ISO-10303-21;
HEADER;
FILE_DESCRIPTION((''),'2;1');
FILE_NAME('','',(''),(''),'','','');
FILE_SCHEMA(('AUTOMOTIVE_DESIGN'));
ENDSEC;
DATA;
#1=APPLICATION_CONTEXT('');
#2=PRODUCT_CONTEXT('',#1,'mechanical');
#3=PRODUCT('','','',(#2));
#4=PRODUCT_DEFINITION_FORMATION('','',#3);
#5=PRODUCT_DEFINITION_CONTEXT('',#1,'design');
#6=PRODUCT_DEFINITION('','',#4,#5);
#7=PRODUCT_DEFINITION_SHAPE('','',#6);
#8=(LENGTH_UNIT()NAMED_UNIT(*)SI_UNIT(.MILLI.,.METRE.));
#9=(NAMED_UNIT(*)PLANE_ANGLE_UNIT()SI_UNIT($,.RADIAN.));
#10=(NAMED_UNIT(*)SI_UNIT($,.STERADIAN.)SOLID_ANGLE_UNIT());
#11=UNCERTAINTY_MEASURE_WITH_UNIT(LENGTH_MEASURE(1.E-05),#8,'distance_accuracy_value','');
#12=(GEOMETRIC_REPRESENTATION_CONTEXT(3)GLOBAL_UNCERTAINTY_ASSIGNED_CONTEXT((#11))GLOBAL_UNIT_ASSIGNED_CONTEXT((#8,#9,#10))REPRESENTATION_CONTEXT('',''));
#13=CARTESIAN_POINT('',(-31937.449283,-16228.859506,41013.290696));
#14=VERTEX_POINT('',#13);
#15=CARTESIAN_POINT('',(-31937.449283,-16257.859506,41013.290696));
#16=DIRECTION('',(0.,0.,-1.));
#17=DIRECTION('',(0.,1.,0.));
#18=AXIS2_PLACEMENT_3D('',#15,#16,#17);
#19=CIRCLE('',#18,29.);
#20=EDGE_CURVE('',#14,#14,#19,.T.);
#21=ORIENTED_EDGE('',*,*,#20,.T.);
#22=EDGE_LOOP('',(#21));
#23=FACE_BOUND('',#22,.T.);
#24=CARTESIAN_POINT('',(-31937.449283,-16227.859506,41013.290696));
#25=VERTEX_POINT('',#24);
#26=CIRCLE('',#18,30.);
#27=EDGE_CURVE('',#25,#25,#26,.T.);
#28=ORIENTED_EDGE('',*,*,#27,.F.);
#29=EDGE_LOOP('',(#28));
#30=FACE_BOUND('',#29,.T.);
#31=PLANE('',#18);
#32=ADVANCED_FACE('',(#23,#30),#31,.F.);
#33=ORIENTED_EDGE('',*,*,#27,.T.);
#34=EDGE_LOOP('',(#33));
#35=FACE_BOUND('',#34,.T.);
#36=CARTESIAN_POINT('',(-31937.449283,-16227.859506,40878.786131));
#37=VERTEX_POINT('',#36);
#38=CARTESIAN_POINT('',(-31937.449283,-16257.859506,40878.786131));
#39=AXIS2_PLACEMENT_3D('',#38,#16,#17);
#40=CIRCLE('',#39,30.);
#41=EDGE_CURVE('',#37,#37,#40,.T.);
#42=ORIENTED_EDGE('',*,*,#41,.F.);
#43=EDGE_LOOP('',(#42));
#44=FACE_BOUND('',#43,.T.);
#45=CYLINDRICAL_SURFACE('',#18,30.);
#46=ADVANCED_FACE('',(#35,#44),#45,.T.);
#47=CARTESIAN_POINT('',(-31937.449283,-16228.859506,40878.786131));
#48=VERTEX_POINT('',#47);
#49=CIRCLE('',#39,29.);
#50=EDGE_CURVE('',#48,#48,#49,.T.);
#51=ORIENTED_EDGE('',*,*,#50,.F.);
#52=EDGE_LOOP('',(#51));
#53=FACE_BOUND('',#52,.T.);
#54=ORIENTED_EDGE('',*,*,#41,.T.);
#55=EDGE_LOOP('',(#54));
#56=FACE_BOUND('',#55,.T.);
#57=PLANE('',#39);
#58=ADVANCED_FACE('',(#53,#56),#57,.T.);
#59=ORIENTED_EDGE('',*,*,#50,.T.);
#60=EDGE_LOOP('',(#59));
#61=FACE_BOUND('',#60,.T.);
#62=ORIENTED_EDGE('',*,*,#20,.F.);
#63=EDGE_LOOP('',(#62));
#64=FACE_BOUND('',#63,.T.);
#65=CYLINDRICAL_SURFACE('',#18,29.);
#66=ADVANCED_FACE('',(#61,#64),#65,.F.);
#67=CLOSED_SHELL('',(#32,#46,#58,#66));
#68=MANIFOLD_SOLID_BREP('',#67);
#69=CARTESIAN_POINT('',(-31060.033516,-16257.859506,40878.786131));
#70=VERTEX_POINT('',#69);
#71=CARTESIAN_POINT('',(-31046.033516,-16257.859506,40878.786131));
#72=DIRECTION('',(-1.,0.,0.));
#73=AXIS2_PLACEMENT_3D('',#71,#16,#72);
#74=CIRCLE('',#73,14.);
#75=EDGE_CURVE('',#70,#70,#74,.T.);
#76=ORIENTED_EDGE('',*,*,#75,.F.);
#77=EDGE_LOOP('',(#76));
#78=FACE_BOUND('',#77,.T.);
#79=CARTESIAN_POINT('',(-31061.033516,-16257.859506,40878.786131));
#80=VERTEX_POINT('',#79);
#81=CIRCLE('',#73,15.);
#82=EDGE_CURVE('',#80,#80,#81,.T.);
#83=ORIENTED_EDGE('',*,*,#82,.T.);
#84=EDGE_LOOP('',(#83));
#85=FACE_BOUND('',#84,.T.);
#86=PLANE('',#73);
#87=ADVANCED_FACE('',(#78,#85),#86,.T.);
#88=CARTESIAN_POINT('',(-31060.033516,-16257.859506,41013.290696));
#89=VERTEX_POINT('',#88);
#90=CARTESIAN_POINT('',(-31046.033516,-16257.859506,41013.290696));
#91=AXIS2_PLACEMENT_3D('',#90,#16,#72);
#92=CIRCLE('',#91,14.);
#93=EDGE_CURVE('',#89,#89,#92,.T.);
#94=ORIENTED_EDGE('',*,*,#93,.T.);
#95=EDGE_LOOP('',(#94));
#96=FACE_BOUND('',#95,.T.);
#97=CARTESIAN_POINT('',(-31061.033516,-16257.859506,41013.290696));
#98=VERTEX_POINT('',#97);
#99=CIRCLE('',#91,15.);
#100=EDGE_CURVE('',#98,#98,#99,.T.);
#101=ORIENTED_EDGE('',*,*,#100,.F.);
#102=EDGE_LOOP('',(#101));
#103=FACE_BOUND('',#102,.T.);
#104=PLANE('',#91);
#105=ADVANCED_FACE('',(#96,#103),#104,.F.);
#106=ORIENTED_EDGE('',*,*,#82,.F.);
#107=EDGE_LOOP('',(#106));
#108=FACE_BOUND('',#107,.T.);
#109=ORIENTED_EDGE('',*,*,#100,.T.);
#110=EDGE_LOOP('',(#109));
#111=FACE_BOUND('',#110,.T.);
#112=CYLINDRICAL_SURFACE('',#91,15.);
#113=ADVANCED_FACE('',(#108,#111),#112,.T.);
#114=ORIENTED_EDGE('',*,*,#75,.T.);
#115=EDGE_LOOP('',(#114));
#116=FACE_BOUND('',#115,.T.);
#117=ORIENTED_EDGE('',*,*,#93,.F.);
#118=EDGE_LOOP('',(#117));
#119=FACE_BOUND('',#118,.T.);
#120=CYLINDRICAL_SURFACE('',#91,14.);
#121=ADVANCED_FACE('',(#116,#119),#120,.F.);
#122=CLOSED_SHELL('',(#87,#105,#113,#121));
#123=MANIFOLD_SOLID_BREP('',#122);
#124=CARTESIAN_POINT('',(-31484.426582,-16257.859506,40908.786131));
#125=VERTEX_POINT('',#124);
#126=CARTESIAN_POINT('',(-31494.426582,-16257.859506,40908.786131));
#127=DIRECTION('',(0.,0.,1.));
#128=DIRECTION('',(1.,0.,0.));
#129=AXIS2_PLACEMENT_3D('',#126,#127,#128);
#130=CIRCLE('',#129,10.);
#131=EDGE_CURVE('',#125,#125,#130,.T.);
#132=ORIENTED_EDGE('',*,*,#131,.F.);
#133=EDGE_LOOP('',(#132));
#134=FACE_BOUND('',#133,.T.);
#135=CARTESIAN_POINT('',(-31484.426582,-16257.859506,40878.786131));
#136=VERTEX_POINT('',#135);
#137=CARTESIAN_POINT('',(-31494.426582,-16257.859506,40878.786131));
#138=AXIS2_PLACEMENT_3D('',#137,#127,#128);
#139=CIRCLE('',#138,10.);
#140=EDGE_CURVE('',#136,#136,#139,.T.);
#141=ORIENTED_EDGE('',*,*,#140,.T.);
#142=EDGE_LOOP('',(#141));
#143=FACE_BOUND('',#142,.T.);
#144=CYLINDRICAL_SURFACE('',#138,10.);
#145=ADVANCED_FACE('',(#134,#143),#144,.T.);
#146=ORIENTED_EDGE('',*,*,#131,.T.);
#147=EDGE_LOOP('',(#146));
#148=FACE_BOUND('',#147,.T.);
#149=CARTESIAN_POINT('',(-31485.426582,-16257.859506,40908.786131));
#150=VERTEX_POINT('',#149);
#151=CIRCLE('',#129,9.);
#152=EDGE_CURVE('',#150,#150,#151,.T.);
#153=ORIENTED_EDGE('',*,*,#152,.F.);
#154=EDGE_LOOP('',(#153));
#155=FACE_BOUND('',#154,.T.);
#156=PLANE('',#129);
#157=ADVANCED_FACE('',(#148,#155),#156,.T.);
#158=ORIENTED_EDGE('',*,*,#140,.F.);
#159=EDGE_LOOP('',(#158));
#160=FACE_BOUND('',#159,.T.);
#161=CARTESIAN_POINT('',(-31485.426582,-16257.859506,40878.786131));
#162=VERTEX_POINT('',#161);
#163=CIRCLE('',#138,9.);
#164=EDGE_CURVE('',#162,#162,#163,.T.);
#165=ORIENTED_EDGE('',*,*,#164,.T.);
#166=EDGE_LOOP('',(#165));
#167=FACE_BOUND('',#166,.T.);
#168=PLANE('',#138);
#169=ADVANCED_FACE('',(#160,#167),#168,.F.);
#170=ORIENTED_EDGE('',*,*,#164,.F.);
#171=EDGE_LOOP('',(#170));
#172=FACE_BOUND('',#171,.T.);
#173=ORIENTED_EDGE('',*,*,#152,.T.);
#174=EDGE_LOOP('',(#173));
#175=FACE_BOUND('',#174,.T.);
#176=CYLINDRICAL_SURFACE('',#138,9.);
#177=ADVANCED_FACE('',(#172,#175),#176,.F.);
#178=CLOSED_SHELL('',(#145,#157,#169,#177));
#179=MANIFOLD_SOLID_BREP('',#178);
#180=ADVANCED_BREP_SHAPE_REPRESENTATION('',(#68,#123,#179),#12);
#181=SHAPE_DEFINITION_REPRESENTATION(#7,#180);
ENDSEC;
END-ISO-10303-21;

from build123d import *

# Parameters (mm, degrees)
SWEEP_THIN2_PROFILE_R   = 30
SWEEP_THIN2_PROFILE_R_2 = 29
SWEEP_THIN3_PROFILE_R   = 10
SWEEP_THIN3_PROFILE_R_2 = 9
SWEEP_THIN4_PROFILE_R   = 15
SWEEP_THIN4_PROFILE_R_2 = 14


with BuildPart() as part:
    # Sweep-Thin2: sweep along a curve in space
    with BuildLine() as sweep_thin2_path:
        Line((-31937.449283249, -16257.859506292, 41013.290696056), (-31937.449283249, -16257.859506292, 40878.786131159))
    # Sweep-Thin2 profile (on start of the path) → Sweep-Thin2 (sweep)
    with BuildSketch(Plane(origin=(-31937.449283249, -16257.859506292, 41013.290696056), x_dir=(0, -1, 0), z_dir=(0, 0, -1))):
        Circle(SWEEP_THIN2_PROFILE_R)
        Circle(SWEEP_THIN2_PROFILE_R_2, mode=Mode.SUBTRACT)
    sweep(path=sweep_thin2_path.line)


with BuildPart() as body_2:
    # Sweep-Thin3: sweep along a curve in space
    with BuildLine() as sweep_thin3_path:
        Line((-31494.426581806, -16257.859506292, 40878.786131159), (-31494.426581806, -16257.859506292, 40908.786131159))
    # Sweep-Thin3 profile (on start of the path) → Sweep-Thin3 (sweep)
    with BuildSketch(Plane(origin=(-31494.426581806, -16257.859506292, 40878.786131159), x_dir=(1, 0, 0), z_dir=(0, 0, 1))):
        Circle(SWEEP_THIN3_PROFILE_R)
        Circle(SWEEP_THIN3_PROFILE_R_2, mode=Mode.SUBTRACT)
    sweep(path=sweep_thin3_path.line)


with BuildPart() as body_3:
    # Sweep-Thin4: sweep along a curve in space
    with BuildLine() as sweep_thin4_path:
        Line((-31046.033515707, -16257.859506292, 41013.290696056), (-31046.033515707, -16257.859506292, 40878.786131159))
    # Sweep-Thin4 profile (on start of the path) → Sweep-Thin4 (sweep)
    with BuildSketch(Plane(origin=(-31046.033515707, -16257.859506292, 41013.290696056), x_dir=(-1, 0, 0), z_dir=(0, 0, -1))):
        Circle(SWEEP_THIN4_PROFILE_R)
        Circle(SWEEP_THIN4_PROFILE_R_2, mode=Mode.SUBTRACT)
    sweep(path=sweep_thin4_path.line)


solid = Compound([part.part, body_2.part, body_3.part])
